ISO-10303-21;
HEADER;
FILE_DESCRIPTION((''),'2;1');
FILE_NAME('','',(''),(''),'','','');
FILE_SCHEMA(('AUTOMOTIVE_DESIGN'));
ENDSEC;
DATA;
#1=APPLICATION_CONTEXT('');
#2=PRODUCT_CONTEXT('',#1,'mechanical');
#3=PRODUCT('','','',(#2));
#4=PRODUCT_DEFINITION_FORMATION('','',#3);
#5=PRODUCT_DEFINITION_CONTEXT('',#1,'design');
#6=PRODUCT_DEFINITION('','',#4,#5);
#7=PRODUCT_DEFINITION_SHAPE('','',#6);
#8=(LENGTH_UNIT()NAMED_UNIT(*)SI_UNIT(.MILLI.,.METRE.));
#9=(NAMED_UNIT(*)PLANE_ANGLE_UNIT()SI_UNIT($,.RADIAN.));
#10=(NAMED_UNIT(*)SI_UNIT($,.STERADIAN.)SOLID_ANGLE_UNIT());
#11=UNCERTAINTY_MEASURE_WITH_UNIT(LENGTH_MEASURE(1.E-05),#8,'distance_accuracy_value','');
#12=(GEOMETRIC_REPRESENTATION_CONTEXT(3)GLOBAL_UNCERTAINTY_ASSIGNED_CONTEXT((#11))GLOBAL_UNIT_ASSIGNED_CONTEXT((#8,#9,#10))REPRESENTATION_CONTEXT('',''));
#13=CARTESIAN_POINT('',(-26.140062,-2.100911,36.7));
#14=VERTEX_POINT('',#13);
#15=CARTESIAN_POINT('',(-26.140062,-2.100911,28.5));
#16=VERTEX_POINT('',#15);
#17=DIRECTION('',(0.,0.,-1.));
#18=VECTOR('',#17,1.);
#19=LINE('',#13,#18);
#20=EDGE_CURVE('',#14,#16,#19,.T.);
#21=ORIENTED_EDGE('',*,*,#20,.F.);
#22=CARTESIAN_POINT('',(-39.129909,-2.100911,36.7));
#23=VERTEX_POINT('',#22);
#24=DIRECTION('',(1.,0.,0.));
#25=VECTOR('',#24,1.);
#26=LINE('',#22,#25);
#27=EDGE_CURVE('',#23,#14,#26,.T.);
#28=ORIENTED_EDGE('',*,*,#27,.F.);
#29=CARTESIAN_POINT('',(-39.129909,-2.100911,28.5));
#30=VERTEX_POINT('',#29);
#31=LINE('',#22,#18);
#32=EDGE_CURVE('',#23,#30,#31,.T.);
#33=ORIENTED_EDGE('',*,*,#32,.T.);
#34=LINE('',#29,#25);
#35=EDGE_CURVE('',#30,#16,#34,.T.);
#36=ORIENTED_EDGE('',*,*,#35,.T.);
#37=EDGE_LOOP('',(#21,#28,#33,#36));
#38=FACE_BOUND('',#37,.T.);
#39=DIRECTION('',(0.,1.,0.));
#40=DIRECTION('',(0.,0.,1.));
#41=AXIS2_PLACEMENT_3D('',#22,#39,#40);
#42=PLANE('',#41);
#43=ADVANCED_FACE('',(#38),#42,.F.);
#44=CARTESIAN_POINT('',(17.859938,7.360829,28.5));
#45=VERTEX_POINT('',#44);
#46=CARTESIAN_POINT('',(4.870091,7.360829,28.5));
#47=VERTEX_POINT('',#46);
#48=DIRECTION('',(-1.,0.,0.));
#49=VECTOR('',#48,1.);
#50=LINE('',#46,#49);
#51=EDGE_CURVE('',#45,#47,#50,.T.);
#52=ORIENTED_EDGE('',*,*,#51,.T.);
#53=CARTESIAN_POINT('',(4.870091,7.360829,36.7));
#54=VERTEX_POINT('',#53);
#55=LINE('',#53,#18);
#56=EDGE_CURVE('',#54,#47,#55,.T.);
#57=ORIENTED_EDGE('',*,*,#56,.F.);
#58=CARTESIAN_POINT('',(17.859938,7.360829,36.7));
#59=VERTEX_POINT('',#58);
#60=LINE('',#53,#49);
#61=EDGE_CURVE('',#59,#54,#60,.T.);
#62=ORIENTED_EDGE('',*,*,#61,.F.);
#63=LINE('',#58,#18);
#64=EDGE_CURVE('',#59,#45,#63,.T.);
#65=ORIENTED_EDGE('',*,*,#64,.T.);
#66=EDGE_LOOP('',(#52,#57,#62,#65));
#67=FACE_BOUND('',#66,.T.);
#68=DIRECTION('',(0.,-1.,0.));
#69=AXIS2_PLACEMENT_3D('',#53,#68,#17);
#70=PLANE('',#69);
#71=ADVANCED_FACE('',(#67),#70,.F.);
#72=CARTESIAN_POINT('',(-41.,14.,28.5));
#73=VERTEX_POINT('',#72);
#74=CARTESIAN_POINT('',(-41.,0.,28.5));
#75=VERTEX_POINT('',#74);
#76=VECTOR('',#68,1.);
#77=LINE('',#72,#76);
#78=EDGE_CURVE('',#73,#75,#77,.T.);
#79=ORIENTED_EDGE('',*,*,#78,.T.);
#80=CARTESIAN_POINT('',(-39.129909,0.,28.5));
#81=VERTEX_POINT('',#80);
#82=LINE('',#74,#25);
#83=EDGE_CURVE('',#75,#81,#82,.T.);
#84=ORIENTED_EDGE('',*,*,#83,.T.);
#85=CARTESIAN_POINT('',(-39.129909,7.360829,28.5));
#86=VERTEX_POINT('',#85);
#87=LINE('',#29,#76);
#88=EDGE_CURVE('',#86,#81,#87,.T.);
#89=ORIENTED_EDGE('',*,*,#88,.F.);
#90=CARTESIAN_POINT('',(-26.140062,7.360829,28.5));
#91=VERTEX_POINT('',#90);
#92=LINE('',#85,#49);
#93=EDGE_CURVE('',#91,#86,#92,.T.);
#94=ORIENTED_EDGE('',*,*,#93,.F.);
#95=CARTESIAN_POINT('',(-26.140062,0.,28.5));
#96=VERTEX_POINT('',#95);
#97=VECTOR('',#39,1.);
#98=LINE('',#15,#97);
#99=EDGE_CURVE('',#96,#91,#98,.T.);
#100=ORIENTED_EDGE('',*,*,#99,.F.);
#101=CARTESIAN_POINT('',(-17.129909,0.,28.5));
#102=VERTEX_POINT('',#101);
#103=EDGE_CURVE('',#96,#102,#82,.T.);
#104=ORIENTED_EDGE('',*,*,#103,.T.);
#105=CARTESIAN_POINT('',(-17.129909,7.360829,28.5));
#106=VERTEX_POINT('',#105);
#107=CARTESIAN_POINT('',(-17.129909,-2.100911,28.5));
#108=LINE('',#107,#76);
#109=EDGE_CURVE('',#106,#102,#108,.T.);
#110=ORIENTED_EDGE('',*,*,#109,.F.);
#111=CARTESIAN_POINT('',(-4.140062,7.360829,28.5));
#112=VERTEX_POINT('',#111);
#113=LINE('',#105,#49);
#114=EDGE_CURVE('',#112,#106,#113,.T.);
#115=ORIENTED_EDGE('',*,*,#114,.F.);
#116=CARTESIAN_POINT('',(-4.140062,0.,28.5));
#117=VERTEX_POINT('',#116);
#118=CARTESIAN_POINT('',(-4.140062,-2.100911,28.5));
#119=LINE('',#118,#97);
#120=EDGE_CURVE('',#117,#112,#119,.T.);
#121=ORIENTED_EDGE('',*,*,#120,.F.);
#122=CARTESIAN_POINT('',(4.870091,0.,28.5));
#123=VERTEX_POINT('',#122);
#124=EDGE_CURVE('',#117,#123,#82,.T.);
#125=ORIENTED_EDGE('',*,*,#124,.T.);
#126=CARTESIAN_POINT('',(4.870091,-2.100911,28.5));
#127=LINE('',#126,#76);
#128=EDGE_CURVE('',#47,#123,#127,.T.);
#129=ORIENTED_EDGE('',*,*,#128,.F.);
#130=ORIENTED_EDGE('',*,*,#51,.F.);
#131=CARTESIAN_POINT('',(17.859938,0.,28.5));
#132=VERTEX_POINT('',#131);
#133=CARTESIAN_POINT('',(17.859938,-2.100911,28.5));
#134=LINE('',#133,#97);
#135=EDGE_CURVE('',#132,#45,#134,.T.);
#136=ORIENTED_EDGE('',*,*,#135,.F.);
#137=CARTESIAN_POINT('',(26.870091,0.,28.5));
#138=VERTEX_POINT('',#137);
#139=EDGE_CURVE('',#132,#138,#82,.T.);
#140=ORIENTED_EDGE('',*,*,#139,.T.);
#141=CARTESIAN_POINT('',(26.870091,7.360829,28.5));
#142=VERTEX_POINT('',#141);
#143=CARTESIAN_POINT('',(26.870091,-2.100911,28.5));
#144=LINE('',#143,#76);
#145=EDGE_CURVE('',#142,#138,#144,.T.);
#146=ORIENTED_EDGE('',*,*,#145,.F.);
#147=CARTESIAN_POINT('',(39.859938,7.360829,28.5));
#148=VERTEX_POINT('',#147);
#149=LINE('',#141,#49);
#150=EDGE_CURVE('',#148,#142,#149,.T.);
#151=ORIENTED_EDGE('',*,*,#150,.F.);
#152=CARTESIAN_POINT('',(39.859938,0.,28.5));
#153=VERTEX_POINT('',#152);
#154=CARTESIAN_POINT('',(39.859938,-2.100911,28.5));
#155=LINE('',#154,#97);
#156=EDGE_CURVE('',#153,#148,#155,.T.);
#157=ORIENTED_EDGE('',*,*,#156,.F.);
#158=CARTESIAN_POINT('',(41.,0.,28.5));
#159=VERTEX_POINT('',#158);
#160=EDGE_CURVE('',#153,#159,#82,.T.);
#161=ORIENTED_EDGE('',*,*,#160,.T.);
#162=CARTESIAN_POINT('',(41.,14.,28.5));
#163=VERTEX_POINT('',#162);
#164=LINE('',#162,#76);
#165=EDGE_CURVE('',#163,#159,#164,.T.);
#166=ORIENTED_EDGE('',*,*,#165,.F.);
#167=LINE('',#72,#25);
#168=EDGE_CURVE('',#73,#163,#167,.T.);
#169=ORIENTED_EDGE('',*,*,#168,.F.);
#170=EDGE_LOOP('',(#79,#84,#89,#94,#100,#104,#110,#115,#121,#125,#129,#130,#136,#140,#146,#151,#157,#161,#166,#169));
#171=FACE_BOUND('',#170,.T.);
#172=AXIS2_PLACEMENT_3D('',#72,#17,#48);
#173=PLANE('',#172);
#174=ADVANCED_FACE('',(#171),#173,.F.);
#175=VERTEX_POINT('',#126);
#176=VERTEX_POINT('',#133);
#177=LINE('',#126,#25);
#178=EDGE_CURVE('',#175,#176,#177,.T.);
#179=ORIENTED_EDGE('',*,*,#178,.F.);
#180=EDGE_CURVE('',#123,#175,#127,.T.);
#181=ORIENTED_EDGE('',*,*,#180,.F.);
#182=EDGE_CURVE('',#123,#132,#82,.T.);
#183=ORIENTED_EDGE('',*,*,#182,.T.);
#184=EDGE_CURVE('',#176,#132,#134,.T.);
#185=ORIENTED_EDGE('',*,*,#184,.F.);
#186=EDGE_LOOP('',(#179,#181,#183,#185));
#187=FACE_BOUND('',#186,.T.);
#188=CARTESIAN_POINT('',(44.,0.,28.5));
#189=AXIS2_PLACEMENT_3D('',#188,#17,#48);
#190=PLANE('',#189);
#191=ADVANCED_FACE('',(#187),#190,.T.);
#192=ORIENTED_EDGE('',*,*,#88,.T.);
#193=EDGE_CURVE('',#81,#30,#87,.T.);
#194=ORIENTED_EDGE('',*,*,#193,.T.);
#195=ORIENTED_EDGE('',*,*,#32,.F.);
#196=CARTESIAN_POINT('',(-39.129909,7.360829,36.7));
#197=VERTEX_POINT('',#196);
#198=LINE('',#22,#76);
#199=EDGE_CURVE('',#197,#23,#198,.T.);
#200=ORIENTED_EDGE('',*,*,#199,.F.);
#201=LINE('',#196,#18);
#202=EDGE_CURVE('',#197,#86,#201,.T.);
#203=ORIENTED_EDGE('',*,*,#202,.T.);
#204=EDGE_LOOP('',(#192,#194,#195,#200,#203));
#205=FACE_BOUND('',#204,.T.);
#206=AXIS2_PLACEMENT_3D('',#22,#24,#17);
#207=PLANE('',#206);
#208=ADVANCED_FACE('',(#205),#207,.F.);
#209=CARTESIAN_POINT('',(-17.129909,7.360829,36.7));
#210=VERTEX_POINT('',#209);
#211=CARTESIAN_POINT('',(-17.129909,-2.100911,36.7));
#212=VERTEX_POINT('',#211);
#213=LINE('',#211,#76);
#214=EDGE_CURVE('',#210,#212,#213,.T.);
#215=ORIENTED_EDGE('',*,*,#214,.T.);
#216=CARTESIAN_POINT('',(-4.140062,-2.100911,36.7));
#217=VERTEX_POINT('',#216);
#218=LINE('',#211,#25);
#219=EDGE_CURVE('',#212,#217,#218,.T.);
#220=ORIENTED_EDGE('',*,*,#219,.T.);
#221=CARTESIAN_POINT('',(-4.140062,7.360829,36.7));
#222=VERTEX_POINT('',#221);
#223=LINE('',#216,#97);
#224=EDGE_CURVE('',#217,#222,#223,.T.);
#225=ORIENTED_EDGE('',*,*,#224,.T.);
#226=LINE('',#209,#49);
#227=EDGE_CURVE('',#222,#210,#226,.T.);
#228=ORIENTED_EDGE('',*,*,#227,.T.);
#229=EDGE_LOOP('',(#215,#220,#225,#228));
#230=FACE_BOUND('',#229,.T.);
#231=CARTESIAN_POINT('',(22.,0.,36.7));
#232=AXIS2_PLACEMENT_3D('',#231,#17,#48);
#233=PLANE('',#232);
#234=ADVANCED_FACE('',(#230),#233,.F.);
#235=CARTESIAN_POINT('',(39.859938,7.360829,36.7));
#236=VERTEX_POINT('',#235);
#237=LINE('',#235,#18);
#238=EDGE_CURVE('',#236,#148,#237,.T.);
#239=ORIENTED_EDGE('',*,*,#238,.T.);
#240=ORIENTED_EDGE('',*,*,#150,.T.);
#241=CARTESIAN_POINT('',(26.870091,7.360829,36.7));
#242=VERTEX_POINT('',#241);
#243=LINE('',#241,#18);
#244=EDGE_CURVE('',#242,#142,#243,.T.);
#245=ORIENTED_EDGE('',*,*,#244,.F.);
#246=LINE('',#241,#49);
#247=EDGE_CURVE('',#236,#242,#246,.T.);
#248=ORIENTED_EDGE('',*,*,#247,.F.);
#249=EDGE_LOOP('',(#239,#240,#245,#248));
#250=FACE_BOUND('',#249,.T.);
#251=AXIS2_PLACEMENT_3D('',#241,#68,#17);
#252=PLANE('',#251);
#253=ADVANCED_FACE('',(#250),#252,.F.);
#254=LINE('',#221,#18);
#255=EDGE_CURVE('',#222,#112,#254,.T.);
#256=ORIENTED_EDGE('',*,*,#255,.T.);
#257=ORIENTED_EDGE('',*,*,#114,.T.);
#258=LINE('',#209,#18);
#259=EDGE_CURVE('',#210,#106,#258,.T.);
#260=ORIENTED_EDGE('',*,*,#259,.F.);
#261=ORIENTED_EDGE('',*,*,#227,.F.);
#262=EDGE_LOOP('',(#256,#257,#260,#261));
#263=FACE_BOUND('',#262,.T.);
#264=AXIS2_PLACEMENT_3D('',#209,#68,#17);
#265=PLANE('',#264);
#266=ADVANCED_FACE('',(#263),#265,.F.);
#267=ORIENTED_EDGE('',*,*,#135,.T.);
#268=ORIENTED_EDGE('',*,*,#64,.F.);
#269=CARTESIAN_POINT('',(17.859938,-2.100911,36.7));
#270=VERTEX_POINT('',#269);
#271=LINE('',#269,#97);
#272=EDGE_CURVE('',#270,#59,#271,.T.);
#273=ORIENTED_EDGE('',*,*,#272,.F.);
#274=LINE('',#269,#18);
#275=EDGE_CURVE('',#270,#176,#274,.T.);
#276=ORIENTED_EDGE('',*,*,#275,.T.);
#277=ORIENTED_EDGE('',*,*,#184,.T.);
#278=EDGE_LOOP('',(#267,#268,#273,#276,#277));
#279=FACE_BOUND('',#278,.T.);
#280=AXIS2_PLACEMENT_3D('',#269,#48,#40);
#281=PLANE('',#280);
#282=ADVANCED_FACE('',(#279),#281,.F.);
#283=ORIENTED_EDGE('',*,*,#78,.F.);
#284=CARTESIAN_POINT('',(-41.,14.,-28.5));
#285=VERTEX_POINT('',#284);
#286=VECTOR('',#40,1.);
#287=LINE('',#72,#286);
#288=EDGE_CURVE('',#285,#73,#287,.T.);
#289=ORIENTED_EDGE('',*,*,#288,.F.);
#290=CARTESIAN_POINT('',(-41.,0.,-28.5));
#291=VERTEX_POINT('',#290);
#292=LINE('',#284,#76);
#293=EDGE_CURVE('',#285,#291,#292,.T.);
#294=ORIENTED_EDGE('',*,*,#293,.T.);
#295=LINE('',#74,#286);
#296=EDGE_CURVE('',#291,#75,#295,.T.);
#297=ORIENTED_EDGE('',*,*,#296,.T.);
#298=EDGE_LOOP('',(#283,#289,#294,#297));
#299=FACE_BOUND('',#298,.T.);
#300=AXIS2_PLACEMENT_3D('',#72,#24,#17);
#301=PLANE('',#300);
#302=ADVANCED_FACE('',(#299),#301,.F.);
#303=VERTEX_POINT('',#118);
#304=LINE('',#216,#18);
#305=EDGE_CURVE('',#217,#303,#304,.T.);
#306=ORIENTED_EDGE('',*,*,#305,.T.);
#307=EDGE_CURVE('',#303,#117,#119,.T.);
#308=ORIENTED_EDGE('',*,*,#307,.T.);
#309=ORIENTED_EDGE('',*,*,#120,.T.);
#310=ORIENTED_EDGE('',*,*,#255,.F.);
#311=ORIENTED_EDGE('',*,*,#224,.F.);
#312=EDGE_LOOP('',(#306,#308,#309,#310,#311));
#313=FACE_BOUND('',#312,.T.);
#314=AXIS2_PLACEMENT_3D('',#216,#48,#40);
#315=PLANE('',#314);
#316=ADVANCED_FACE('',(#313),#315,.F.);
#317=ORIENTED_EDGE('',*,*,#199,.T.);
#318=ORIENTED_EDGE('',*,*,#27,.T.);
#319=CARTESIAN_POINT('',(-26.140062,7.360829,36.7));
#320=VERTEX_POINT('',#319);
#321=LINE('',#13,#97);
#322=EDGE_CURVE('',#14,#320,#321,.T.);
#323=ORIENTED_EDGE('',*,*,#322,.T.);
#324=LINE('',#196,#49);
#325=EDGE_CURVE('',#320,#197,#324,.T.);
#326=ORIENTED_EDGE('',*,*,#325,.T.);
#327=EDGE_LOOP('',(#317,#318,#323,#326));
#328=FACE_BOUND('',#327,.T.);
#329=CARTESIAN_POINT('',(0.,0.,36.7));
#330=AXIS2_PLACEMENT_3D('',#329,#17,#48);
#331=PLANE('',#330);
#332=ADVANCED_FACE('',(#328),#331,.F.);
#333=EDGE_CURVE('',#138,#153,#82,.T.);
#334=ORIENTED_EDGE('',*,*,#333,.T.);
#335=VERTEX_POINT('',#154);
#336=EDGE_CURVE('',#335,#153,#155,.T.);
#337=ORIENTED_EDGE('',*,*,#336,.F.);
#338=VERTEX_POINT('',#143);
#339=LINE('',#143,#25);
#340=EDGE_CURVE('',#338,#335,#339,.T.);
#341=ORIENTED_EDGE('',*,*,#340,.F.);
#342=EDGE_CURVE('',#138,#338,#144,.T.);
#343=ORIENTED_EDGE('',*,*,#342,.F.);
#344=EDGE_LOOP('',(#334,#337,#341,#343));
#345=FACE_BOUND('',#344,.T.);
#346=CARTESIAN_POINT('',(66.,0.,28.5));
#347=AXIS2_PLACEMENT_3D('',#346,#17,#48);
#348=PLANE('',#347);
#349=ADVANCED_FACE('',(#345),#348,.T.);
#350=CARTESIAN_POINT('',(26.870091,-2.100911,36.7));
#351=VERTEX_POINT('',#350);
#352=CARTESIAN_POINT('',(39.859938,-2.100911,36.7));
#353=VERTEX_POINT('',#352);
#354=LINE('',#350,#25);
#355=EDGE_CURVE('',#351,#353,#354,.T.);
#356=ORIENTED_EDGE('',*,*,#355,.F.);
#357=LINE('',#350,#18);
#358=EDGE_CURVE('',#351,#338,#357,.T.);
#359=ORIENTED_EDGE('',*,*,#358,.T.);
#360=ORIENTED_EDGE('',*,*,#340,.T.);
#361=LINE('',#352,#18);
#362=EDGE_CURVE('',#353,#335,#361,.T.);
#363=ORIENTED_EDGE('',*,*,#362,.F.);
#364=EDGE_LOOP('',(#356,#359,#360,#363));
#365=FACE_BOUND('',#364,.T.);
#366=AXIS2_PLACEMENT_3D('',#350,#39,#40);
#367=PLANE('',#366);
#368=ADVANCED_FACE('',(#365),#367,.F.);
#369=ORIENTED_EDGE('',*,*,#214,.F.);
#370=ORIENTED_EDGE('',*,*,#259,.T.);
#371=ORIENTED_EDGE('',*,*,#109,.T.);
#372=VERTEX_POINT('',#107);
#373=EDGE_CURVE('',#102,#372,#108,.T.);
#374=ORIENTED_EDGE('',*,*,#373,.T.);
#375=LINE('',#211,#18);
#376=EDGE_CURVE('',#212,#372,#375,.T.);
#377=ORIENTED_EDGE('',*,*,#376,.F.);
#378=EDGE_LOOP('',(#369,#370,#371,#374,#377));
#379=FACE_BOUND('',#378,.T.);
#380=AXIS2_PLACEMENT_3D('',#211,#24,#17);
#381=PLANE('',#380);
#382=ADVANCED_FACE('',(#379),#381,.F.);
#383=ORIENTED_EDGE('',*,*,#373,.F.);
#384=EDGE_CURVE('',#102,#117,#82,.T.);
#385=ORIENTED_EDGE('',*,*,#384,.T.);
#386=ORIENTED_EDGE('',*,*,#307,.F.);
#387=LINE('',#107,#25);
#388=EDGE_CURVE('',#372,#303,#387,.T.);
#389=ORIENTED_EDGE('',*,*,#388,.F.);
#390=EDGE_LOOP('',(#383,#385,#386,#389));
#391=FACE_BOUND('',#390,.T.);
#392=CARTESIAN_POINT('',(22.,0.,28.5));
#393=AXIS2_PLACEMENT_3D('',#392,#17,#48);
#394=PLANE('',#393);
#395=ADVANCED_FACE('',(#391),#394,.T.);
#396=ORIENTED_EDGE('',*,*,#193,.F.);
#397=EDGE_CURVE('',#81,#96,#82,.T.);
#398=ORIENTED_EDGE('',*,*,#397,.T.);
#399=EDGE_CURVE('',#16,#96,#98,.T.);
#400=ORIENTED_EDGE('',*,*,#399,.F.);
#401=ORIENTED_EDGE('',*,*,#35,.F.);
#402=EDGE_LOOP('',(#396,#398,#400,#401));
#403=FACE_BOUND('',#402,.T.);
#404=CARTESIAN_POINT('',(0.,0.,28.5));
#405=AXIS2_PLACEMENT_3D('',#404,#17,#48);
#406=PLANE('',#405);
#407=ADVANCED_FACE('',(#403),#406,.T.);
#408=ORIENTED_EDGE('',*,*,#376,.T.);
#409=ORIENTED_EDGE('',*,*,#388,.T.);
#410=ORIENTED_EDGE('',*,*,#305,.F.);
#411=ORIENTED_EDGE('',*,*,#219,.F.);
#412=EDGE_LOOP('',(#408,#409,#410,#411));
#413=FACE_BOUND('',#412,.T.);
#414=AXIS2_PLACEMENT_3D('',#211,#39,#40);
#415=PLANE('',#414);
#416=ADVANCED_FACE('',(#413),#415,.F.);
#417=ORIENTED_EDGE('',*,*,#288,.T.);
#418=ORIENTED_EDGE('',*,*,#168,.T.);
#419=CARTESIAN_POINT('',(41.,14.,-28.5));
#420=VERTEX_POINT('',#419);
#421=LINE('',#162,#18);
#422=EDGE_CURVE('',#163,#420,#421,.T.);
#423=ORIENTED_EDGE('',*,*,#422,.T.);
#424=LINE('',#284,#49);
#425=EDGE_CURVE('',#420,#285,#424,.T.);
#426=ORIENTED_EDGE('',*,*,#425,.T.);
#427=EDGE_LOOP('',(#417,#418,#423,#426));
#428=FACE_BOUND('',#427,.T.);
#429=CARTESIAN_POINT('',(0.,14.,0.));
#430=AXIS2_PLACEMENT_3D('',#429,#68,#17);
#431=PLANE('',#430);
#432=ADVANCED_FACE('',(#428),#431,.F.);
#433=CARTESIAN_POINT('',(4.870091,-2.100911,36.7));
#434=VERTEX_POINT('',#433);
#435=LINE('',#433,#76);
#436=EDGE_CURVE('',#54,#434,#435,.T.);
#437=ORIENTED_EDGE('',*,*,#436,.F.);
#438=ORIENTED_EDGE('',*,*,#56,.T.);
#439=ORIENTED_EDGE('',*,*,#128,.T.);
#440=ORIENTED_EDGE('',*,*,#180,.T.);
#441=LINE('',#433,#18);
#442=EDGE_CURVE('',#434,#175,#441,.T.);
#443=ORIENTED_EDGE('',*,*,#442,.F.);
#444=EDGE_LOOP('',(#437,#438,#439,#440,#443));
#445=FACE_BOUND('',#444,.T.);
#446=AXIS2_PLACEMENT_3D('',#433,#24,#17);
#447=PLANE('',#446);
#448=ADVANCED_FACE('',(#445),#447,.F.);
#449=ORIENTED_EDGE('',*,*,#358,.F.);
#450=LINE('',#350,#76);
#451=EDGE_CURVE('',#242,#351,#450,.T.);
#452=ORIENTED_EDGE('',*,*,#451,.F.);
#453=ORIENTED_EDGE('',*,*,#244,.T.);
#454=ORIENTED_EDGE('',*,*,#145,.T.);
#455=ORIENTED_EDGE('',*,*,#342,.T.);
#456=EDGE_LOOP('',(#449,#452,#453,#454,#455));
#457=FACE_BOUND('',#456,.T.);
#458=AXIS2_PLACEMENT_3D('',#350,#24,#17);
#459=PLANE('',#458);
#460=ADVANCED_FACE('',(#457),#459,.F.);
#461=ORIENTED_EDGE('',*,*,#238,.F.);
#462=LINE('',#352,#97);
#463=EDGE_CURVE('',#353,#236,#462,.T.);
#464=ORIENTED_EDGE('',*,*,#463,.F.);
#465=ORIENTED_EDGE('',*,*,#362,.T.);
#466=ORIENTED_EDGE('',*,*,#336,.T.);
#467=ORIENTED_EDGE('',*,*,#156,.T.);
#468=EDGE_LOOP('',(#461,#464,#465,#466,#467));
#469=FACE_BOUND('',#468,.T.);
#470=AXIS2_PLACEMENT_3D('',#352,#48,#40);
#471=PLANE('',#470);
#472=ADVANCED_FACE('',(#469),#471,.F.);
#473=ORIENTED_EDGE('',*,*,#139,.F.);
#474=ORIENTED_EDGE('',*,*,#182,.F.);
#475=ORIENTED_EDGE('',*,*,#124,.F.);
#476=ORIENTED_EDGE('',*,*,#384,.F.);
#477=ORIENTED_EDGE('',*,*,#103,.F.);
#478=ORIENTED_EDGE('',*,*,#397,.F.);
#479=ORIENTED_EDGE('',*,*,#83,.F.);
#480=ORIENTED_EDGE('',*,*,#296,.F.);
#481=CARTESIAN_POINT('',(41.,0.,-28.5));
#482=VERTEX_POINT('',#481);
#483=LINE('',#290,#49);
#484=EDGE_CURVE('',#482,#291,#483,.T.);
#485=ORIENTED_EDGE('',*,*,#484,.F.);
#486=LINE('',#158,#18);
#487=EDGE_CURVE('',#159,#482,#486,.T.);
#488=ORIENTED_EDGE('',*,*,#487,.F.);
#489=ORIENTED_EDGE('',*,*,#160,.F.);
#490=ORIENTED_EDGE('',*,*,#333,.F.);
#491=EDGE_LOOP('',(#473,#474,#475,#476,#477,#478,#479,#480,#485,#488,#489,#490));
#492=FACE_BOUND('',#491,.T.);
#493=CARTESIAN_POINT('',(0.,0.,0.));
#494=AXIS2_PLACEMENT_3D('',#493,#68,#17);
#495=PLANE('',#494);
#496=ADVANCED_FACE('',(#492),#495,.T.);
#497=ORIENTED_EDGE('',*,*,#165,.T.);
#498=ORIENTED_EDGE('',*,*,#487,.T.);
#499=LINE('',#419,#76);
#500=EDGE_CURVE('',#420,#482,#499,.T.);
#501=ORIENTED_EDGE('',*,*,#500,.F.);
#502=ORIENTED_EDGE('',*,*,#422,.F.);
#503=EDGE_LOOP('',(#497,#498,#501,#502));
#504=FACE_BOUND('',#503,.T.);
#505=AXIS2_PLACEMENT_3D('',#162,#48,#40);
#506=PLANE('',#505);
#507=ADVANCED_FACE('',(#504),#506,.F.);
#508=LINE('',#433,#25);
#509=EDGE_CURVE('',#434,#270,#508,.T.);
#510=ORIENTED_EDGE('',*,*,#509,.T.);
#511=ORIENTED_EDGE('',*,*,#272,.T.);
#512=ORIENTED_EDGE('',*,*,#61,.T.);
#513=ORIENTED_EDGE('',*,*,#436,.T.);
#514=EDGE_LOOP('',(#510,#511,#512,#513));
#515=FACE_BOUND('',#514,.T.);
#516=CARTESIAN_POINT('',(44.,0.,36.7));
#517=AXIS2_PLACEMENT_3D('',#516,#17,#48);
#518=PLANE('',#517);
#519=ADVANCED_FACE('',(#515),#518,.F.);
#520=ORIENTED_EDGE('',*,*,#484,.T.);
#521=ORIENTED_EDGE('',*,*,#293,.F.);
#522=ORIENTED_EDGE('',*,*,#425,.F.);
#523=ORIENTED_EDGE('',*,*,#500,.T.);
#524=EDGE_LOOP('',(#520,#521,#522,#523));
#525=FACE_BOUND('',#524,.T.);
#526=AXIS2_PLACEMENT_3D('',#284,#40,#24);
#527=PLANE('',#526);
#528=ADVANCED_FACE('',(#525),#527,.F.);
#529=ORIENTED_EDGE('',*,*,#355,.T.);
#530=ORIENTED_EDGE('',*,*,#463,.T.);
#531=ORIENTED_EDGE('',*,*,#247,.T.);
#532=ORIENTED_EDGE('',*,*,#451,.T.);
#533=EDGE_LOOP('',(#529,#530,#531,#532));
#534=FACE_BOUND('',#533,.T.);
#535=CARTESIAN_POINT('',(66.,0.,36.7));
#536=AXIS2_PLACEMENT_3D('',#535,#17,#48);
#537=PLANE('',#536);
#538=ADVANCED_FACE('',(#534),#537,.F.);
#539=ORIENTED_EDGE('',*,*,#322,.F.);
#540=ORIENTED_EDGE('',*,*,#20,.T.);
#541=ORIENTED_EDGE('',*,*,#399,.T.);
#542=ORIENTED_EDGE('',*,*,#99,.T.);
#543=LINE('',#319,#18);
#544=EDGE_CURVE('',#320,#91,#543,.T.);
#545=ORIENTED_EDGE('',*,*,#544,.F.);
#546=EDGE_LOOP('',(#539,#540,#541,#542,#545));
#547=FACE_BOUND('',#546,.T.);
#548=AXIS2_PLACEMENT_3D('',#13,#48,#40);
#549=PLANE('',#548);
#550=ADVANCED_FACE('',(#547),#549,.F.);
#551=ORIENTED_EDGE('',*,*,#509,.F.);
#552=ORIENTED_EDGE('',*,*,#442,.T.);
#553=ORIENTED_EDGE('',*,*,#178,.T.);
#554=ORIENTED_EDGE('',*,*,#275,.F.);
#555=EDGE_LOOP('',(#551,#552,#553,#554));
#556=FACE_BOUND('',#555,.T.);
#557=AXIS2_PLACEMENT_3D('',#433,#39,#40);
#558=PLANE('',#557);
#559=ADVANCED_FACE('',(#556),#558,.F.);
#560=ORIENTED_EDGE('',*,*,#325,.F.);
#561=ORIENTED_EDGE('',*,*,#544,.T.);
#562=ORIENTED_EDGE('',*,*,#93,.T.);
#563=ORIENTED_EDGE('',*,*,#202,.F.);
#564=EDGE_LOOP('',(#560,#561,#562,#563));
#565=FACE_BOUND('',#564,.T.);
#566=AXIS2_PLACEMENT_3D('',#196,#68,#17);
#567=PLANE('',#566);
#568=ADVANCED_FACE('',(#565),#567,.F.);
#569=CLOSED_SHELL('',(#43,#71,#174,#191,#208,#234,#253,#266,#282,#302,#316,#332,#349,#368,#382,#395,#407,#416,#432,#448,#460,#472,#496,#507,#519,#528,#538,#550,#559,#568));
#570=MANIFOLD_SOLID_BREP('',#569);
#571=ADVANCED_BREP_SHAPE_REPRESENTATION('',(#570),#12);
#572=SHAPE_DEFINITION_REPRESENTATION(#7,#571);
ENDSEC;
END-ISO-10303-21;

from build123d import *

# Parameters (mm, degrees)
SKETCH_1_W             = 82
SKETCH_1_H             = 57
EXTRUDE_1_DEPTH        = 14
SKETCH_2_W             = 12.989846737
SKETCH_2_H             = 9.461740216
EXTRUDE_2_DEPTH        = 8.2
PATTERN_LINEAR_1_COUNT = 4
PATTERN_LINEAR_1_PITCH = 22


with BuildPart() as part:
    # 草图1 → 凸台-拉伸1 (new body)
    with BuildSketch(Plane(origin=(0, 0, 0), x_dir=(1, 0, 0), z_dir=(0, 1, 0))):
        Rectangle(SKETCH_1_W, SKETCH_1_H)
    extrude(amount=EXTRUDE_1_DEPTH)

    # 草图2 → 凸台-拉伸2 (add)
    with BuildSketch(Plane.XY.offset(28.5)):
        with Locations((-32.634985321, 2.629958968)):
            Rectangle(SKETCH_2_W, SKETCH_2_H)
    extrude_2 = extrude(amount=EXTRUDE_2_DEPTH)

    # 阵列(线性)1: 凸台-拉伸2 ×4
    with Locations(*[(i * PATTERN_LINEAR_1_PITCH, 0, 0) for i in range(1, PATTERN_LINEAR_1_COUNT)]):
        add(extrude_2)


solid = part.part
